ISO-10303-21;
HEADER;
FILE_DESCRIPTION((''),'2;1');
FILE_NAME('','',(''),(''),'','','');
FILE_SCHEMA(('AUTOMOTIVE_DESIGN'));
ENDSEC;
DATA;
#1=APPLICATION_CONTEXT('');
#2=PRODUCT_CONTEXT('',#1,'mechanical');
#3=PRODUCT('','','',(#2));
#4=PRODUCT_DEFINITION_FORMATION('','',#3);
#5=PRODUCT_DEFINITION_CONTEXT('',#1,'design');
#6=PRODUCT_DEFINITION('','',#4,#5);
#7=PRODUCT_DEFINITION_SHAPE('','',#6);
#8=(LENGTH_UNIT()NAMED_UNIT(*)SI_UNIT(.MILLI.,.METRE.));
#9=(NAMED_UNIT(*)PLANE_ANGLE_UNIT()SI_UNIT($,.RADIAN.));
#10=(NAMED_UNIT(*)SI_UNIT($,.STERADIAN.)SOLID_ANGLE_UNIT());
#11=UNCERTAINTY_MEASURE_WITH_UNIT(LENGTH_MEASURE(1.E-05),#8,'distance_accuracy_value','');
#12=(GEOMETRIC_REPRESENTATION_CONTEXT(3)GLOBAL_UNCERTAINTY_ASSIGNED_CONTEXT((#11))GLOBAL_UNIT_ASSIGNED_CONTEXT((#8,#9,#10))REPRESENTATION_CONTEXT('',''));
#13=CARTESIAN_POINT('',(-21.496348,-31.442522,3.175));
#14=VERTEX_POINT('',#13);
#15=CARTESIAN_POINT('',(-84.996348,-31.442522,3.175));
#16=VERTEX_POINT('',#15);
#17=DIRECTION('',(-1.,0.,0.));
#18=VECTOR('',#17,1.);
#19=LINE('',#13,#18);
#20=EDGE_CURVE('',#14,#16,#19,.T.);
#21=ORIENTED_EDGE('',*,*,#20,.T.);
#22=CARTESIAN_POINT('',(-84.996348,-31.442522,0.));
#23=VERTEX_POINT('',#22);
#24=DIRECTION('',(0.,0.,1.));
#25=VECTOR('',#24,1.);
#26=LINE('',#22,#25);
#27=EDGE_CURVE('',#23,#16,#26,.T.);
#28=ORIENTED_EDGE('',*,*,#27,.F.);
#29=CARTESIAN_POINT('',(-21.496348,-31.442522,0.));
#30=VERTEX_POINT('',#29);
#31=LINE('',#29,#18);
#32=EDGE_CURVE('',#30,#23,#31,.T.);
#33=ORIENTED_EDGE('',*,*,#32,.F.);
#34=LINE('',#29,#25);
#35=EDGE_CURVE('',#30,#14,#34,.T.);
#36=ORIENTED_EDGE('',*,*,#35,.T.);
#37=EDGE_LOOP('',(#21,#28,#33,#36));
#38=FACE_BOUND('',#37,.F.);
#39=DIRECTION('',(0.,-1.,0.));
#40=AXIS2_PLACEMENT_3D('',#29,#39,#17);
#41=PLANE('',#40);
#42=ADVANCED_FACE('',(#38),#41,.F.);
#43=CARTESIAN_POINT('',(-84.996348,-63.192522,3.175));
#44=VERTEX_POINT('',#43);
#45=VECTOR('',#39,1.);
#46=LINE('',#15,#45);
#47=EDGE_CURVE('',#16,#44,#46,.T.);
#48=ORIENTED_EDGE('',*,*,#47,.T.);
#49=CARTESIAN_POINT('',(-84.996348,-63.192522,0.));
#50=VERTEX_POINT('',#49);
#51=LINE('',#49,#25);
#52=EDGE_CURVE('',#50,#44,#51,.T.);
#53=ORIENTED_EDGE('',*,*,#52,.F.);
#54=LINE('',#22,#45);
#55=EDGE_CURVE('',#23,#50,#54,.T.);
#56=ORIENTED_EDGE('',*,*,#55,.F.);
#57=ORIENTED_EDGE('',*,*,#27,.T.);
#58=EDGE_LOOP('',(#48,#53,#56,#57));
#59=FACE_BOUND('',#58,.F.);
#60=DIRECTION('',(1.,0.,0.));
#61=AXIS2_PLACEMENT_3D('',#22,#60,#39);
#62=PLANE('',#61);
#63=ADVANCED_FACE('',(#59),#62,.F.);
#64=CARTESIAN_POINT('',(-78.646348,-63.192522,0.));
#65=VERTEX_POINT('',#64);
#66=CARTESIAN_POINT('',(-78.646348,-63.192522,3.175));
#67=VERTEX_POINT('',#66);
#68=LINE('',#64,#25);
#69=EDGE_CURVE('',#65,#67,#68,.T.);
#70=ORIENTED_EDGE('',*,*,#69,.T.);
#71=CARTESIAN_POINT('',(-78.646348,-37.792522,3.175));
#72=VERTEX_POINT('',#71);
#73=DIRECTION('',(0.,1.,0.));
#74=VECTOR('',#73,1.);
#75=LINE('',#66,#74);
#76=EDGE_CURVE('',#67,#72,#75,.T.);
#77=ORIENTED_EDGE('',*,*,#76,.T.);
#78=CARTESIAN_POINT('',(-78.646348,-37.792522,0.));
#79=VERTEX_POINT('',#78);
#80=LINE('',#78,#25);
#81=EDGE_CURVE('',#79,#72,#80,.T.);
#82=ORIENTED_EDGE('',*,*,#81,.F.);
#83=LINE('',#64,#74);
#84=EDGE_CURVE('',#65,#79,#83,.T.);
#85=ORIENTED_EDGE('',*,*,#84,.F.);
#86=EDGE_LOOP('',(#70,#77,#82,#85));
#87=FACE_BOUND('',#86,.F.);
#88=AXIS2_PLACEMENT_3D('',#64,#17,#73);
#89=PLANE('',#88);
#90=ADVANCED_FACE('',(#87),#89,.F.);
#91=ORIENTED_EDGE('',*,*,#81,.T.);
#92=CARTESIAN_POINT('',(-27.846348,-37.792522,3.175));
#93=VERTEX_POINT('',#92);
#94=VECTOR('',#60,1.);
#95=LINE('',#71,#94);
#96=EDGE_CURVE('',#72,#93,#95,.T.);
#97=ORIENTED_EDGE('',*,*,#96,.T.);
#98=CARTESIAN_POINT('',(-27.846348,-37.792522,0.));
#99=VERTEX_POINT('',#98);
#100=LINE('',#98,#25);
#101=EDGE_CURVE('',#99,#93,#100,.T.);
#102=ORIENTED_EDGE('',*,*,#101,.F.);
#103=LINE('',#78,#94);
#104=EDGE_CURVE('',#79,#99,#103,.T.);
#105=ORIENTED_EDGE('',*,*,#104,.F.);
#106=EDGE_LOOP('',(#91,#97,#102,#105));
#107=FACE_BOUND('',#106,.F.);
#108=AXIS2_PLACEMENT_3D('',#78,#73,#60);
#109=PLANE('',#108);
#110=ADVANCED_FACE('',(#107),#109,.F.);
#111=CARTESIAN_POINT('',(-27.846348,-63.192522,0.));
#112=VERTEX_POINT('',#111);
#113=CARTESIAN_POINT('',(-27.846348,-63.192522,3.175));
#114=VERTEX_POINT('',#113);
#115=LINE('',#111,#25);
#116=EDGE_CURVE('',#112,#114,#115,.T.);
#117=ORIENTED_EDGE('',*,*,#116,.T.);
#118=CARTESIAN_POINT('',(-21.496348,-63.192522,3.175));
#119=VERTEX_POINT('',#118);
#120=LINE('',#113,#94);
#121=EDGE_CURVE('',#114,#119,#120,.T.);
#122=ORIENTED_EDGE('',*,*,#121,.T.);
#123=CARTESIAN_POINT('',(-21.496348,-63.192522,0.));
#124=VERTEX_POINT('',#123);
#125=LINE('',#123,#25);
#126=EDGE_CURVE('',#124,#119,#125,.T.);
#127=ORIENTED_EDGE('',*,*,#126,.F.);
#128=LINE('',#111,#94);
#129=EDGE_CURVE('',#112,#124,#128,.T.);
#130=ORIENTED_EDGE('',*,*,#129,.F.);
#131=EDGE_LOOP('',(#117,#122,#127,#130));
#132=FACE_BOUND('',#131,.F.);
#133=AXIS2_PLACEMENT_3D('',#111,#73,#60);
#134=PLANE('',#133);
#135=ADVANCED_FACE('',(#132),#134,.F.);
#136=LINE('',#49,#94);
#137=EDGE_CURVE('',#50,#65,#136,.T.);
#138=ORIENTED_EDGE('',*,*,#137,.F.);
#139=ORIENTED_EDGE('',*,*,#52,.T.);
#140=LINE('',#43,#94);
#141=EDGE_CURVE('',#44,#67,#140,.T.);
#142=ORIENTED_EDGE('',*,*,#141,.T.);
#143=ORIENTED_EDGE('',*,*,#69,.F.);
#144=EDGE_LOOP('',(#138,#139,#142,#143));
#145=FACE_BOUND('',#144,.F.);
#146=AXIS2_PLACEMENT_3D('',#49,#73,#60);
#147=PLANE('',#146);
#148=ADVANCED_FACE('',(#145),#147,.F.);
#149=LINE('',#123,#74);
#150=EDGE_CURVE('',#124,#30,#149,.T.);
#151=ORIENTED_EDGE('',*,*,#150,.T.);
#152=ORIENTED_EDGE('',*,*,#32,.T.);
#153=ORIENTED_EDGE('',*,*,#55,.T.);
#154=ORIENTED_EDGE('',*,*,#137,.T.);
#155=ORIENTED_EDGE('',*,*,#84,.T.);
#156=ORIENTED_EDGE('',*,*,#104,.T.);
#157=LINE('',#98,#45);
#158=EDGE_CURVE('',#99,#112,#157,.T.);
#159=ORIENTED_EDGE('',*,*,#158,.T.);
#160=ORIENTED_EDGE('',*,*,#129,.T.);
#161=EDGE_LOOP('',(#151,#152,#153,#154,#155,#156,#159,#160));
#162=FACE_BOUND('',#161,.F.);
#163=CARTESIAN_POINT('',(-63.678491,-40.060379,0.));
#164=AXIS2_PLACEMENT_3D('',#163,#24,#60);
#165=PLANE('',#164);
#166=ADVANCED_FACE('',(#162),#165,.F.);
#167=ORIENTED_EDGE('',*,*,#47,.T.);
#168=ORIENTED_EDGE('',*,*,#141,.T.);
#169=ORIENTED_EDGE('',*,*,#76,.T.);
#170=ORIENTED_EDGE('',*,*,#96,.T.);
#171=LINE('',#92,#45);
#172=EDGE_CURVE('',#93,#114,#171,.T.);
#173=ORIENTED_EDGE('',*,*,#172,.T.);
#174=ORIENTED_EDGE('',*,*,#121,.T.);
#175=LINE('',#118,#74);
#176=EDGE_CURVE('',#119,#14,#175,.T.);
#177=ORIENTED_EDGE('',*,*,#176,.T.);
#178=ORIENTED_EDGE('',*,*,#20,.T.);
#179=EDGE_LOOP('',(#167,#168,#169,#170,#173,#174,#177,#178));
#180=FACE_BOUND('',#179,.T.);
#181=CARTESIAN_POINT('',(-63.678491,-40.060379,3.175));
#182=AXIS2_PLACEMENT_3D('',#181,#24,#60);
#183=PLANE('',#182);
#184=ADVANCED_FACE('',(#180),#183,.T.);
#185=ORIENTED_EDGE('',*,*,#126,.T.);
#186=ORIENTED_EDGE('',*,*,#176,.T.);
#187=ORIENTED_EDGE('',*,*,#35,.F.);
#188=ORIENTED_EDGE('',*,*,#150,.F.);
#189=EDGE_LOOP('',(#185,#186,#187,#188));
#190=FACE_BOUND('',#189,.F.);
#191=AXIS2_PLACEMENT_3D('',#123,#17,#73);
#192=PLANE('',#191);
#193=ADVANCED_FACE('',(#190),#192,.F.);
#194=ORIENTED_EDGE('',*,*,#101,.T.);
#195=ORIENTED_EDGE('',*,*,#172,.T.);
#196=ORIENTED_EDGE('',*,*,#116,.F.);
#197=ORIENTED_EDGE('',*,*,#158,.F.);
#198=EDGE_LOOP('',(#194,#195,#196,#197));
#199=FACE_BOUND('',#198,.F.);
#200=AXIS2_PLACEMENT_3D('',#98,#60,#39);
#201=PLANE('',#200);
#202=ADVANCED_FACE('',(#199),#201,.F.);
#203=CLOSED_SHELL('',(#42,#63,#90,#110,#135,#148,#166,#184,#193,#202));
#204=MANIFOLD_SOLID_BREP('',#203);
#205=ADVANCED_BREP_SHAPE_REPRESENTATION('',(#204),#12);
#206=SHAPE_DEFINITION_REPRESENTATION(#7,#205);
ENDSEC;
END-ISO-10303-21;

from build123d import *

# Parameters (mm, degrees)
F1_DEPTH = 3.175


with BuildPart() as f1:
    # F0 (on Top) → F1 (new body)
    with BuildSketch(Plane.XY):
        Polygon((-84.996348, -31.442522), (-84.996348, -63.192522), (-78.646348, -63.192522), (-78.646348, -37.792522), (-27.846348, -37.792522), (-27.846348, -31.442522), align=None)
        Polygon((-21.496348, -31.442522), (-27.846348, -31.442522), (-27.846348, -37.792522), (-27.846348, -63.192522), (-21.496348, -63.192522), align=None)
    extrude(amount=F1_DEPTH)


solid = f1.part
